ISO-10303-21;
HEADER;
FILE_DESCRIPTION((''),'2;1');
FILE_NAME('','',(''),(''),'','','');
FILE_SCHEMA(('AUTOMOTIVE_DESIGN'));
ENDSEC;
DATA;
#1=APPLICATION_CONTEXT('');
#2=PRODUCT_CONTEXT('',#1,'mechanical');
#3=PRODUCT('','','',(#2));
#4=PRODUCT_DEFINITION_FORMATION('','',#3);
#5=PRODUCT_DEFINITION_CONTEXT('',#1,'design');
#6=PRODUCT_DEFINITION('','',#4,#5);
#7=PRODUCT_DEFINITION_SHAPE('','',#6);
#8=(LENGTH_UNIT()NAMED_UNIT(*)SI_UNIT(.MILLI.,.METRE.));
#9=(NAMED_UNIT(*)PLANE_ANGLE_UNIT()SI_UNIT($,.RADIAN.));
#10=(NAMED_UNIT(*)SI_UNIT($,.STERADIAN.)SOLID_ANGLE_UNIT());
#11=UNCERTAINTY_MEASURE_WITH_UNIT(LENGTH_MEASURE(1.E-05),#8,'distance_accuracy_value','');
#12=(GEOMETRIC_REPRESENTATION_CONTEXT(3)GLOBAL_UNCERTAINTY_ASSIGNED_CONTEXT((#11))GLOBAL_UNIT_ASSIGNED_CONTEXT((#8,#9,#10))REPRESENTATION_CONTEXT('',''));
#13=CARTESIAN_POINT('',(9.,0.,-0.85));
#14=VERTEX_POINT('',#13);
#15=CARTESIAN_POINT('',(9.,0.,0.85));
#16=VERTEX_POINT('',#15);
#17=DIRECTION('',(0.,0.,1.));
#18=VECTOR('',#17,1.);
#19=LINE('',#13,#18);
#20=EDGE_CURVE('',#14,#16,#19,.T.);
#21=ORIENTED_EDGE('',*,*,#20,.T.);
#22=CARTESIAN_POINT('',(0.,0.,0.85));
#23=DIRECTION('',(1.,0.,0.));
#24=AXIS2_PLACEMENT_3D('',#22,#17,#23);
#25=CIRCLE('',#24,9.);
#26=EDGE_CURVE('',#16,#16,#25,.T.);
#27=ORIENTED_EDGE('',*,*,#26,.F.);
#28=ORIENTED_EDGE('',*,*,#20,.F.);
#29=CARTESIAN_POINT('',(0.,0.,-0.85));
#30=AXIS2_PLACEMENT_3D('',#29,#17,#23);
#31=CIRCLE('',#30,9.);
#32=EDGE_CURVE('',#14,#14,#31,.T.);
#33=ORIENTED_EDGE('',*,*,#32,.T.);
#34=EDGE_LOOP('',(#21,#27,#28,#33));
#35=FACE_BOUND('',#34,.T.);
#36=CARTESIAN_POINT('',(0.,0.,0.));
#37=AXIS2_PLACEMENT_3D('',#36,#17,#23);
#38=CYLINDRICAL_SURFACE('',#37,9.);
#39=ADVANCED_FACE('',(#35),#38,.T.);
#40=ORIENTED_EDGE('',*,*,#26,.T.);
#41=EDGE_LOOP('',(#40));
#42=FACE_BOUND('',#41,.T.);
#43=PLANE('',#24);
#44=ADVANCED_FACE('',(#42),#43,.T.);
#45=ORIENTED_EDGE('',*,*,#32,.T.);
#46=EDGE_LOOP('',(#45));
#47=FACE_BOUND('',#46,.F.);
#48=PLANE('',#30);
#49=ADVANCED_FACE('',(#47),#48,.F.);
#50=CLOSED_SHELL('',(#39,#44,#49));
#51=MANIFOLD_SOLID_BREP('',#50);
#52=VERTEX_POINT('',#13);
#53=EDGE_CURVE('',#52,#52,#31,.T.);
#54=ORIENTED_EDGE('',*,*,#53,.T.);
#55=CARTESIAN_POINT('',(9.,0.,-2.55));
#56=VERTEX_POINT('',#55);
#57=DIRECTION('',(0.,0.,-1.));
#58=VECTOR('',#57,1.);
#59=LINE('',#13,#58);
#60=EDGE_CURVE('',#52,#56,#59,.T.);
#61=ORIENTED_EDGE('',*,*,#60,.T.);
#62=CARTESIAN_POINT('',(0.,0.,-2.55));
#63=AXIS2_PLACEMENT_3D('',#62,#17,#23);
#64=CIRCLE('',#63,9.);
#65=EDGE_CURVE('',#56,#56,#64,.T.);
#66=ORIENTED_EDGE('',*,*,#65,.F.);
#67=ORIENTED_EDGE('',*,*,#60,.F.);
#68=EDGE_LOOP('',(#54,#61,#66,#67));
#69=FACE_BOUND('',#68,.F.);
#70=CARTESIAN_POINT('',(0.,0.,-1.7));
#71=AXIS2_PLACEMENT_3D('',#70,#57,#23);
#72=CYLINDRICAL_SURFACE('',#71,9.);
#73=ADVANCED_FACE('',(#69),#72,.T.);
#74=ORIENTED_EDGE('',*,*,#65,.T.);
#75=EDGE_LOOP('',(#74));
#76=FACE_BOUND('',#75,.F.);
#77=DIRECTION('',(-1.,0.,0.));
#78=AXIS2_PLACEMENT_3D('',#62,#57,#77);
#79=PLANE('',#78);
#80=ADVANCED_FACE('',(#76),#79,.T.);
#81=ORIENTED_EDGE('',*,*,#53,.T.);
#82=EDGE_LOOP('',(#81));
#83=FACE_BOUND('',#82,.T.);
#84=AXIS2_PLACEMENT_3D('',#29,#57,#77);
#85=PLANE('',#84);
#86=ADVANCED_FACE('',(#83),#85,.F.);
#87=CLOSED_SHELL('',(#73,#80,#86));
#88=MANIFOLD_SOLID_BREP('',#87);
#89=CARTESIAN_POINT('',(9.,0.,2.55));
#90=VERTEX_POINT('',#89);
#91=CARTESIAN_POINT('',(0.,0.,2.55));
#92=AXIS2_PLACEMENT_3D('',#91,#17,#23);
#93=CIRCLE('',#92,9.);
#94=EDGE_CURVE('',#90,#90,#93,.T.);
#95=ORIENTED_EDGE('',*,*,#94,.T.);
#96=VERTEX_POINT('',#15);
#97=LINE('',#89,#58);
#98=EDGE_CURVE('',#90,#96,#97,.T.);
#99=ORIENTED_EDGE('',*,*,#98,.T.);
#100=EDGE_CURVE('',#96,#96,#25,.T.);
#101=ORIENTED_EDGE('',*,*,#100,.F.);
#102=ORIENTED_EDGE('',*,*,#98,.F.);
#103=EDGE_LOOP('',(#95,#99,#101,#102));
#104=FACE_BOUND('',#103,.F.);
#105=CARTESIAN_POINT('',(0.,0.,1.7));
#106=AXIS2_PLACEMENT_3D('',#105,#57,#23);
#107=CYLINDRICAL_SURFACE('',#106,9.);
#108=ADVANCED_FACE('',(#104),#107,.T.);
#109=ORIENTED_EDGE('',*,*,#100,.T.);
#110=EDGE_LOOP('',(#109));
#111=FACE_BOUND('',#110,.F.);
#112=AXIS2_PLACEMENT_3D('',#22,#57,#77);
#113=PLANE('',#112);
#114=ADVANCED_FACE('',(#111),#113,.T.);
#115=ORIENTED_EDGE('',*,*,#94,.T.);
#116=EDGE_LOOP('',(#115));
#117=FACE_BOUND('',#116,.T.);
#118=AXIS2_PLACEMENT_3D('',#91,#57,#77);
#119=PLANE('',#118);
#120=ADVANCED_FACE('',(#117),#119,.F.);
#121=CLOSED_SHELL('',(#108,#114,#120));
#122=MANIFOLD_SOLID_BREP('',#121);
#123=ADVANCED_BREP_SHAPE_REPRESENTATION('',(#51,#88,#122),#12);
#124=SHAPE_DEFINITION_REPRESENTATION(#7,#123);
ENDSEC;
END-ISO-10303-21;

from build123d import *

# Parameters (mm, degrees)
F0_R     = 9
F1_DEPTH = 0.85


with BuildPart() as f1:
    # F0 (on Top) → F1 (new body, symmetric)
    with BuildSketch(Plane.XY):
        Circle(F0_R)
    extrude(amount=F1_DEPTH, both=True)


with BuildPart() as f2_1:
    # F2: instance of F1
    add(f1.part.mirror(Plane.XY.offset(0.85)))


with BuildPart() as f3_1:
    # F3: instance of F1
    add(f1.part.mirror(Plane(origin=(0, 0, -0.85), x_dir=(1, 0, 0), z_dir=(0, 0, -1))))


solid = Compound([f1.part, f2_1.part, f3_1.part])
